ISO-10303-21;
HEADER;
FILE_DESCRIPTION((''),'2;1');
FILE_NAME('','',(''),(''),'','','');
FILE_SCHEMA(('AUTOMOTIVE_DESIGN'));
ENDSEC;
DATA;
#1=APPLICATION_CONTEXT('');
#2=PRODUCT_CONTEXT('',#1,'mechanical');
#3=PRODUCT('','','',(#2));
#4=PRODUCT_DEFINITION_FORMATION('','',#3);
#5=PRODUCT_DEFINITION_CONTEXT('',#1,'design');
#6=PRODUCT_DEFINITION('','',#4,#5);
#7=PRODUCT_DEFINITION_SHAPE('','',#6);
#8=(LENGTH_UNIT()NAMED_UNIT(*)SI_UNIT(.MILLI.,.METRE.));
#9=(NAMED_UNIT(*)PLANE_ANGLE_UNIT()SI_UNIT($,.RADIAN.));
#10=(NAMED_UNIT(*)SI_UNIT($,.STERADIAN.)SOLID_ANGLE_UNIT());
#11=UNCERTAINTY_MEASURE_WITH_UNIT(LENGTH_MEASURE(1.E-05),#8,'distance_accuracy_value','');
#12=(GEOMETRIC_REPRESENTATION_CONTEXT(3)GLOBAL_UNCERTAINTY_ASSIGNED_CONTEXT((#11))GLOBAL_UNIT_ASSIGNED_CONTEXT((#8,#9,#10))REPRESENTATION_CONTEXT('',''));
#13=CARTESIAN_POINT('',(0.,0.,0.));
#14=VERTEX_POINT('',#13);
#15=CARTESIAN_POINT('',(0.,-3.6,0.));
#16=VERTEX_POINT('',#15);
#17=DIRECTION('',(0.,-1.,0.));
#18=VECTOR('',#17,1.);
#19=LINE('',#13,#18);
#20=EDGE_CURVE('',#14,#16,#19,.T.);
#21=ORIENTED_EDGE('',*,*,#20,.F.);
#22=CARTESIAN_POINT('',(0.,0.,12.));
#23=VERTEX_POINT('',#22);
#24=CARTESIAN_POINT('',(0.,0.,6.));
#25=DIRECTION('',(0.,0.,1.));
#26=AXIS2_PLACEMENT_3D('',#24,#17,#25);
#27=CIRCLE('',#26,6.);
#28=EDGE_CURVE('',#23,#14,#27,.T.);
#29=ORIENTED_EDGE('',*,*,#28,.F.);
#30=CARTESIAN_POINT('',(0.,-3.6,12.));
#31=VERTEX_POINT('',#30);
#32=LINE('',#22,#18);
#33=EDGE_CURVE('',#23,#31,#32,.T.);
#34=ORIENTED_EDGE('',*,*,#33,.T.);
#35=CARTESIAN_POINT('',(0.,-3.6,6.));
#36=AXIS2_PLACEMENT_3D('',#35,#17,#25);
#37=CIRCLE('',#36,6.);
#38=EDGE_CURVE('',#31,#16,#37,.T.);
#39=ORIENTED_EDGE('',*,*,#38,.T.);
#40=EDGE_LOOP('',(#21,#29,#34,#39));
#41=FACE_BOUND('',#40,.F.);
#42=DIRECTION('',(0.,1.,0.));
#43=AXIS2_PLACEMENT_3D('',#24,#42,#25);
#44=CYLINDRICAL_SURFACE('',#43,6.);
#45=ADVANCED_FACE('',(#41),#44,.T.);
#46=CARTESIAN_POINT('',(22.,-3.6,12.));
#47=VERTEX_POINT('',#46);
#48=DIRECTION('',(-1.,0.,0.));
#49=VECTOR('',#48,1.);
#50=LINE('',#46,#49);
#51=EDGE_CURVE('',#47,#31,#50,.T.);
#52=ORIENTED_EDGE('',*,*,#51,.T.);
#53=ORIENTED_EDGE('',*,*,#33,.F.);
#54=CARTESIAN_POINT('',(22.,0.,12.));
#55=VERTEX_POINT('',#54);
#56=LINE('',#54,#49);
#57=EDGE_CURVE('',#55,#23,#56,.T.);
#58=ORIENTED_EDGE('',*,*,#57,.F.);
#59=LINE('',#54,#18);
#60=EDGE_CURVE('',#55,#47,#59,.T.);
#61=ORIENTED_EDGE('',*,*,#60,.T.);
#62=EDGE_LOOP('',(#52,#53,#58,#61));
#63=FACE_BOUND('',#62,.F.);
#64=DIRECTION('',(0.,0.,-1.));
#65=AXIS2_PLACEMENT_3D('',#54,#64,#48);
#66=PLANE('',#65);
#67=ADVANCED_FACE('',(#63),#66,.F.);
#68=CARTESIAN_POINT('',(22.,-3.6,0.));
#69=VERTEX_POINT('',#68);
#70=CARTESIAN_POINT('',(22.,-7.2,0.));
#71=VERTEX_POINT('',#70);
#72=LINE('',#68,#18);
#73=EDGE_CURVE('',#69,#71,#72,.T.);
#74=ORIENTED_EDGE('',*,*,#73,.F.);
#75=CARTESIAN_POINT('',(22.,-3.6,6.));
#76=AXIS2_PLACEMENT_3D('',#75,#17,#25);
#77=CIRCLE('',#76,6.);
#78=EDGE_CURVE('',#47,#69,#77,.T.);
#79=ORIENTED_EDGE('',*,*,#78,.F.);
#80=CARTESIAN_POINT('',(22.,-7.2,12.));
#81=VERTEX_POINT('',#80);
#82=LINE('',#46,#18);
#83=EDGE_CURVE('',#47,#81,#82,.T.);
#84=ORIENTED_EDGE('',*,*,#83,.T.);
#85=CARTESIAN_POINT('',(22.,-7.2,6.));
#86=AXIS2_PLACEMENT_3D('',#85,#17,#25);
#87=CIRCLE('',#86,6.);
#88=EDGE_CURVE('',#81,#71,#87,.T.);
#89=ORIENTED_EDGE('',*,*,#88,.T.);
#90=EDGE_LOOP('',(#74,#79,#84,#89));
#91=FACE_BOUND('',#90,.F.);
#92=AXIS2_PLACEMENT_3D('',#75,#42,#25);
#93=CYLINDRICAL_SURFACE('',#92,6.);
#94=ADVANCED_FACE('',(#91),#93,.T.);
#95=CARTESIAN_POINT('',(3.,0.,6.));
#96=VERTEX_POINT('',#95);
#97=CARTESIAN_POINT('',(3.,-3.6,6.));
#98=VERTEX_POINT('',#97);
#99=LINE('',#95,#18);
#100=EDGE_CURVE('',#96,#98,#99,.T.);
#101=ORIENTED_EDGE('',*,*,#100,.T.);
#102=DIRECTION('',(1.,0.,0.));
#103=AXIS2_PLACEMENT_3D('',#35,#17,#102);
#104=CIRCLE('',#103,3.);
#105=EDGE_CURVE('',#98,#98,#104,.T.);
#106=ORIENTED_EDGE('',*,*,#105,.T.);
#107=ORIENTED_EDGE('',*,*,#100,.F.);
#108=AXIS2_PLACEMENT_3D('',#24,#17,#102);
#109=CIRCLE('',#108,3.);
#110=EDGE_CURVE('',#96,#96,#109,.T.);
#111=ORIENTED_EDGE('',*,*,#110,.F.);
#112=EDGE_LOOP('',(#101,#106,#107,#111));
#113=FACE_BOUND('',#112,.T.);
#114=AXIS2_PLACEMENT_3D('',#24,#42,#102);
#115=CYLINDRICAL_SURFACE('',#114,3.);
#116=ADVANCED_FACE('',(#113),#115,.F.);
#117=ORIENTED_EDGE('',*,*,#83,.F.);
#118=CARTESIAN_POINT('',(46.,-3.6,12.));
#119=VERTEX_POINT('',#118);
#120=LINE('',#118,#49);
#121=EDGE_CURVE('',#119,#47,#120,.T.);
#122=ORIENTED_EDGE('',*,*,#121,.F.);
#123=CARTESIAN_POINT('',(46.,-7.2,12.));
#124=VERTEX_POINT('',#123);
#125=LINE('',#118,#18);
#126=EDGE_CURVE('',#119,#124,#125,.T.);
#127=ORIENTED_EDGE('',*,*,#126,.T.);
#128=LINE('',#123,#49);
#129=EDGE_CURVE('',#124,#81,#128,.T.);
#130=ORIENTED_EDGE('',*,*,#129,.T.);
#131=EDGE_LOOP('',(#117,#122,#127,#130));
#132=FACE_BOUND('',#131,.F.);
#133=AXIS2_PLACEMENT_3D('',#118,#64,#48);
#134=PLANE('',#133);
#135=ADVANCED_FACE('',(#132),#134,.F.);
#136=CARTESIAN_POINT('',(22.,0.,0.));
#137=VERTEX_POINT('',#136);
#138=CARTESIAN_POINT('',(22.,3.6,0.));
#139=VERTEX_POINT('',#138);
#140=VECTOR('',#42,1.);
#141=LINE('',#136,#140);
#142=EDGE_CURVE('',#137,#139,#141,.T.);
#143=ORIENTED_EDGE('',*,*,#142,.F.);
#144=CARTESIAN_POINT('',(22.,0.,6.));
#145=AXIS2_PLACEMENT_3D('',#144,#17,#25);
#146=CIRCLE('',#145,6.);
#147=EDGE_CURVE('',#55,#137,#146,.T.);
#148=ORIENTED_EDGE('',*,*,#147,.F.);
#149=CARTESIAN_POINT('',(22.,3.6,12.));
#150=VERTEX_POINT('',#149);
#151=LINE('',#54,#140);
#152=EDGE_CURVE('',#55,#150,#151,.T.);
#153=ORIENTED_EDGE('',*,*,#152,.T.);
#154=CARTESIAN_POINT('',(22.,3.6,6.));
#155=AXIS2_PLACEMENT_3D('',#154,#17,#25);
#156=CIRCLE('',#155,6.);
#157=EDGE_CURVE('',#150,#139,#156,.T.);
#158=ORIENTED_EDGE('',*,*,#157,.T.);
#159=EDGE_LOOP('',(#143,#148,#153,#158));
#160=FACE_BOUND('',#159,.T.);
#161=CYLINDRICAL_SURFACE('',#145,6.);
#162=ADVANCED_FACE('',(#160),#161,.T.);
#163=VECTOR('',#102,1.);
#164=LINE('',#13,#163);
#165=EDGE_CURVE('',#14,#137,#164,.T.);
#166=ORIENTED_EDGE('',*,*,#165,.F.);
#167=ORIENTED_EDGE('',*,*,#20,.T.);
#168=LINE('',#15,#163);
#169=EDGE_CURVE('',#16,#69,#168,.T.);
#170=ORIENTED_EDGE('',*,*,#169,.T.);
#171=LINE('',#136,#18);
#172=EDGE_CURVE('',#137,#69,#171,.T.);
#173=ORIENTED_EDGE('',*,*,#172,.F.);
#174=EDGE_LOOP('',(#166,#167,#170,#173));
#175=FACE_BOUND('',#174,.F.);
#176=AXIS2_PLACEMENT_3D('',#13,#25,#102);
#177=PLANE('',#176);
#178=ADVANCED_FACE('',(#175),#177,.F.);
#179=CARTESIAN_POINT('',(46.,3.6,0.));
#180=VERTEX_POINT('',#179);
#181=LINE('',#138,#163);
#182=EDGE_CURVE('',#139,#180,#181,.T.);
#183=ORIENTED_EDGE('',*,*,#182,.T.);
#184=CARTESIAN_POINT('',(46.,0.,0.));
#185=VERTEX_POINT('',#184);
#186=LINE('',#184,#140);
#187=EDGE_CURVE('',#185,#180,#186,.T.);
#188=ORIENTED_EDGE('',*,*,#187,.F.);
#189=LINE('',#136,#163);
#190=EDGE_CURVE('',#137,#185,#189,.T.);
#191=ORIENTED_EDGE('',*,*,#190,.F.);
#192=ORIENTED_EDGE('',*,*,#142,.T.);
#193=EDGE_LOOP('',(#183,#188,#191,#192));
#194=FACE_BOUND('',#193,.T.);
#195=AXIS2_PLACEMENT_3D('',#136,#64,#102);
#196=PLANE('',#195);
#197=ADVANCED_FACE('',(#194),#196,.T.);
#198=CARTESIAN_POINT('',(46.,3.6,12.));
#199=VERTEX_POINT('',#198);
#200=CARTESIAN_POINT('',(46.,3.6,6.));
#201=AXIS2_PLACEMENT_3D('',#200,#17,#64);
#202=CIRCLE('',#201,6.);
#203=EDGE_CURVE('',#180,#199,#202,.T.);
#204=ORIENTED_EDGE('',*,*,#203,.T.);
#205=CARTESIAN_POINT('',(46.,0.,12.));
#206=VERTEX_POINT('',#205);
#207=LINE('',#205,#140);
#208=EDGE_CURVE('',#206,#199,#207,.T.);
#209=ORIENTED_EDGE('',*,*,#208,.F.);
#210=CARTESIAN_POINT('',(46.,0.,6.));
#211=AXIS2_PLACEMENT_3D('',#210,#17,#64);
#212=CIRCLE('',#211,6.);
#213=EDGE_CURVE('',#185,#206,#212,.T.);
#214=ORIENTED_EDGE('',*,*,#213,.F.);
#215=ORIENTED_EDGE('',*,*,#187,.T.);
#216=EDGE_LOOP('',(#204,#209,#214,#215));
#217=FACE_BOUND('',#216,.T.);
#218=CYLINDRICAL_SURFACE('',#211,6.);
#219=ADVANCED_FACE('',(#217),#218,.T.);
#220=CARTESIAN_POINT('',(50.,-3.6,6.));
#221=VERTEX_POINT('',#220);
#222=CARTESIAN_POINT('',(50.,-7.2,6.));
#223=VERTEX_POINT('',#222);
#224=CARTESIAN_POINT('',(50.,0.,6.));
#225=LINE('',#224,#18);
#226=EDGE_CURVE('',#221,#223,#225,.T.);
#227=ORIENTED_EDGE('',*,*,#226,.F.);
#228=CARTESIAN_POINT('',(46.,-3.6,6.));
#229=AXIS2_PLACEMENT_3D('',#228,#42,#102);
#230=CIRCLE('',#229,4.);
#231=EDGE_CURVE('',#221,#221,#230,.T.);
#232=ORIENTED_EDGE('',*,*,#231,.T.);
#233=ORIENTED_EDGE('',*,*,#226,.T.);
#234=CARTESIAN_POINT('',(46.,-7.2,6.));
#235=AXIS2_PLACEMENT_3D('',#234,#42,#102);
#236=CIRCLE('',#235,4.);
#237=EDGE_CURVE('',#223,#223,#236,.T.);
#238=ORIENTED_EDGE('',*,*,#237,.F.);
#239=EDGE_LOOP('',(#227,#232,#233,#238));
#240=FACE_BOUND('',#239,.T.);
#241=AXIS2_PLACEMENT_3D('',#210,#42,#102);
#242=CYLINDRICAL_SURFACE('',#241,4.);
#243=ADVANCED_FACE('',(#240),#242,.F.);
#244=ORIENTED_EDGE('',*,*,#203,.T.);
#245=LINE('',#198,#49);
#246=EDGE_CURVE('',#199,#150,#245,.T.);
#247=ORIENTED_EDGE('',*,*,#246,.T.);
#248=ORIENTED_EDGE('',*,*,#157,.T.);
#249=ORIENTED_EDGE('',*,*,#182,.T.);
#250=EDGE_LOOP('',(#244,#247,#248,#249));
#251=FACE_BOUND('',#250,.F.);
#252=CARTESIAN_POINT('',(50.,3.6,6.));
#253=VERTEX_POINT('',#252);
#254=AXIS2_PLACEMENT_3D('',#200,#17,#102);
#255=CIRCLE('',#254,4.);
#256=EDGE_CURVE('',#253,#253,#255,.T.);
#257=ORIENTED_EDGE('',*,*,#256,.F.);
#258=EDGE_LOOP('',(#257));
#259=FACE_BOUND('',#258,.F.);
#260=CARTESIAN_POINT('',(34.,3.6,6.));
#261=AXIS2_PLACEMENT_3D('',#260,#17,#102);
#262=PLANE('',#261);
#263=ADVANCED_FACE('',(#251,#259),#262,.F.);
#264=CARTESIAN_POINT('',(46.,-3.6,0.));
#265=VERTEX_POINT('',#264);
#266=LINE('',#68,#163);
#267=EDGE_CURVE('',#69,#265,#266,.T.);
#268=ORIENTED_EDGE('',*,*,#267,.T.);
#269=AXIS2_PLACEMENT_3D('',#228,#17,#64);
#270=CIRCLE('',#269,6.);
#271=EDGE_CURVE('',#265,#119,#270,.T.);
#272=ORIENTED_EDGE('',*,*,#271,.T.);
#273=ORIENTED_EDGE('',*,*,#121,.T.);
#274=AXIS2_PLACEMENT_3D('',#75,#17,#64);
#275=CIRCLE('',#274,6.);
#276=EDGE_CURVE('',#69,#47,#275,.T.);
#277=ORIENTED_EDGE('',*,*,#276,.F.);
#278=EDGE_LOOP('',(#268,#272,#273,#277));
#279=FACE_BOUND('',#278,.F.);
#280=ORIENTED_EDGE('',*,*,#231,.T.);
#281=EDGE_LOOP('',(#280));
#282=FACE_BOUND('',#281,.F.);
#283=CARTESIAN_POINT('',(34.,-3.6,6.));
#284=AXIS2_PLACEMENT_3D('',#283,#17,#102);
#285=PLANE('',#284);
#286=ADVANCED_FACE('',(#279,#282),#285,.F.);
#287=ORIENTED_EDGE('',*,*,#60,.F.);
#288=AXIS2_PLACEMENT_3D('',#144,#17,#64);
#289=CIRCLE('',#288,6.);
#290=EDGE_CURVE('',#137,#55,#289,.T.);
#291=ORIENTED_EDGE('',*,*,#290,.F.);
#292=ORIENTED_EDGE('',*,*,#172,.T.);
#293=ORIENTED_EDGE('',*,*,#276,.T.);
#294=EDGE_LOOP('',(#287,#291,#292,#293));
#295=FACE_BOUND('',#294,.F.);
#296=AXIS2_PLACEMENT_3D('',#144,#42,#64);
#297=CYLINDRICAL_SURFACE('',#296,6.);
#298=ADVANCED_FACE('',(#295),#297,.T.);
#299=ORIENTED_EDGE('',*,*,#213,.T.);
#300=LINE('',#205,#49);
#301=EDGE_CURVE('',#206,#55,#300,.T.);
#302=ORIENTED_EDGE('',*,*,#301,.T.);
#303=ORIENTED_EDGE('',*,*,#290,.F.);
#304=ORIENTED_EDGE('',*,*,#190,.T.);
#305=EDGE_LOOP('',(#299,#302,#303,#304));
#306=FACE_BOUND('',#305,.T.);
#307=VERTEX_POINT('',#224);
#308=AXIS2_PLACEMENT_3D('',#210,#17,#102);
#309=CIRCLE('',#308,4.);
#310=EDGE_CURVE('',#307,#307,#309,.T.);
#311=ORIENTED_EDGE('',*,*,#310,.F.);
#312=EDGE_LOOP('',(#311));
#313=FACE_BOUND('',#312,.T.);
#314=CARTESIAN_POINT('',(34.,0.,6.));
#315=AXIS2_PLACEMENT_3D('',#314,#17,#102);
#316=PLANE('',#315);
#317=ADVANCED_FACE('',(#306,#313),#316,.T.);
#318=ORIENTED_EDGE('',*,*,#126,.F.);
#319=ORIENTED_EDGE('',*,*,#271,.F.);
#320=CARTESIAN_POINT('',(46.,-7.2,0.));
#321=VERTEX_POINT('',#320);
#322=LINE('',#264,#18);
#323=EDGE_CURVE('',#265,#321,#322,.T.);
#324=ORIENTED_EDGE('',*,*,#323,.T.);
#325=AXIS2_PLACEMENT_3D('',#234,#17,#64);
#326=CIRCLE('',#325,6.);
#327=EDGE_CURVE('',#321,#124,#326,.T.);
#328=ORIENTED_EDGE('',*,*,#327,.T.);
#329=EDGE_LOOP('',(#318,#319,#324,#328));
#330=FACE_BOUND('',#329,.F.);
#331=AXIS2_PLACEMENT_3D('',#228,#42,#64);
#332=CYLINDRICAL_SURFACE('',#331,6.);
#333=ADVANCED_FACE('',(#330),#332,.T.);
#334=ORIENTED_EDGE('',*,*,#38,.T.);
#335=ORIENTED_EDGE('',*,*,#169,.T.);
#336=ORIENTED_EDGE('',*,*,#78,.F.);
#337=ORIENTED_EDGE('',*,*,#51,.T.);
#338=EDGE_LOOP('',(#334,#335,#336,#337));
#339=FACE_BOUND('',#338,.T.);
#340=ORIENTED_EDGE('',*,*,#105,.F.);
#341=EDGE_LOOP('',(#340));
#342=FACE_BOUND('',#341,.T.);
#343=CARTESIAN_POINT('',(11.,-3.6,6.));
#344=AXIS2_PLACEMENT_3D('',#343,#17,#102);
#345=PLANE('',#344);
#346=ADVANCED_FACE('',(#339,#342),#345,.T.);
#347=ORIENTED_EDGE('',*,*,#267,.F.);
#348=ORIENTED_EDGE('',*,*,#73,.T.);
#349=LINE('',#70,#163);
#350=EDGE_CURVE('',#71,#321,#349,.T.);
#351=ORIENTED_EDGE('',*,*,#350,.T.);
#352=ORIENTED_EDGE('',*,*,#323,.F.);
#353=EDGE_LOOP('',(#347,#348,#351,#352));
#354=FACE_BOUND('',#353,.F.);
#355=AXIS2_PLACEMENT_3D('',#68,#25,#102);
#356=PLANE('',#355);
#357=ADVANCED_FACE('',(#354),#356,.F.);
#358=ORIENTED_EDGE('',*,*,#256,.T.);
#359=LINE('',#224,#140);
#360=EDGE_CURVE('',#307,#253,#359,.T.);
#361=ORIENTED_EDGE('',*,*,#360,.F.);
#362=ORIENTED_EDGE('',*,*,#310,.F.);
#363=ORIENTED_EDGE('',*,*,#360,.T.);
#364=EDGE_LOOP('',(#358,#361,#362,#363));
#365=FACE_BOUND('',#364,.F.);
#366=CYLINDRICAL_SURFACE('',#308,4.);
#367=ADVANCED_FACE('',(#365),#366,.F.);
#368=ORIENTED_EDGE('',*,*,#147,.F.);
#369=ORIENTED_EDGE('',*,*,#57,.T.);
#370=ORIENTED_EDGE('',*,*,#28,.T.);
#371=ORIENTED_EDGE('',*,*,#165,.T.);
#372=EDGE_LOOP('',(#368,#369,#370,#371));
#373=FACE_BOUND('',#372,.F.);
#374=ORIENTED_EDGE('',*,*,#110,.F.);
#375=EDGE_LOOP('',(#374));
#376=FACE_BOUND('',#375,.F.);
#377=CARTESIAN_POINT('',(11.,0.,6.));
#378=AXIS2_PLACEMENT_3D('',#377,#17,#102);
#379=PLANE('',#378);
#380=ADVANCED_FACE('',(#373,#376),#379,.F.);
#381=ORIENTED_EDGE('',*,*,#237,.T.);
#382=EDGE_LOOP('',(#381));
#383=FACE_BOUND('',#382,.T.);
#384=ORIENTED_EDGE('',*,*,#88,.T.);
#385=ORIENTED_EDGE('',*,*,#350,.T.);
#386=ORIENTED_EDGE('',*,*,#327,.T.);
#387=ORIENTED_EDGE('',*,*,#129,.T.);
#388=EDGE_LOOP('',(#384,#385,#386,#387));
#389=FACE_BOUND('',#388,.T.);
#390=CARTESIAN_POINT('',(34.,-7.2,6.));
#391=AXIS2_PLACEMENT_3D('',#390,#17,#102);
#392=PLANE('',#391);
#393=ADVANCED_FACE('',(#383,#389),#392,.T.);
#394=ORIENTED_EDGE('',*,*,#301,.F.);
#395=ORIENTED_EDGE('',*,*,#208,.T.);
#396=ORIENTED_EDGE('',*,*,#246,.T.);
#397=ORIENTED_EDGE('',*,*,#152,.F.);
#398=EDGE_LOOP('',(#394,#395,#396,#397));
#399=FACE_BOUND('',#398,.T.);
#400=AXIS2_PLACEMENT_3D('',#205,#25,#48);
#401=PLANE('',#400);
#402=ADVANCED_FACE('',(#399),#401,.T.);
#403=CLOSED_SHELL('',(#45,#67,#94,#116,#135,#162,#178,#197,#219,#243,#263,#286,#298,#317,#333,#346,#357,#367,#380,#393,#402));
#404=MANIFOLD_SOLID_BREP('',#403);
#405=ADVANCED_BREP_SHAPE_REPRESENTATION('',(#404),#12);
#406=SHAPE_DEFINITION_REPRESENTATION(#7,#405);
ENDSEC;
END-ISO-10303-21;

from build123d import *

# Parameters (mm, degrees)
F0_R          = 3
F1_DEPTH      = 3.6
F3_DEPTH      = 3.6
F5_DEPTH      = 3.6
F6_R          = 4
F7_DEPTH      = 7.201
F7_DEPTH_BACK = 3.601


with BuildPart() as f1:
    # F0 (on Front) → F1 (new body)
    with BuildSketch(Plane.XZ):
        with BuildLine():
            Line((22, 12), (0, 12))
            ThreePointArc((0, 12), (-6, 6), (0, 0))
            Line((0, 0), (22, 0))
            ThreePointArc((22, 0), (28, 6), (22, 12))
        make_face()
        with Locations((0, 6)):
            Circle(F0_R, mode=Mode.SUBTRACT)
    extrude(amount=F1_DEPTH)

    # F2 (on Front) → F3 (join)
    with BuildSketch(Plane.XZ):
        with BuildLine():
            Line((46, 12), (22, 12))
            ThreePointArc((22, 12), (16, 6), (22, 0))
            Line((22, 0), (46, 0))
            ThreePointArc((46, 0), (52, 6), (46, 12))
        make_face()
    extrude(amount=-F3_DEPTH)

    # F4 (on face) → F5 (join)
    with BuildSketch(Plane.XZ.offset(3.6)):
        with BuildLine():
            Line((46, 12), (22, 12))
            ThreePointArc((22, 12), (16, 6), (22, 0))
            Line((22, 0), (46, 0))
            ThreePointArc((46, 0), (52, 6), (46, 12))
        make_face()
    extrude(amount=F5_DEPTH)

    # F6 (on face) → F7 (cut, two sides)
    with BuildSketch(Plane.XZ) as f7_sk:
        with Locations((46, 6)):
            Circle(F6_R)
    extrude(amount=F7_DEPTH, mode=Mode.SUBTRACT)
    extrude(f7_sk.sketch, amount=-F7_DEPTH_BACK, mode=Mode.SUBTRACT)


solid = f1.part
